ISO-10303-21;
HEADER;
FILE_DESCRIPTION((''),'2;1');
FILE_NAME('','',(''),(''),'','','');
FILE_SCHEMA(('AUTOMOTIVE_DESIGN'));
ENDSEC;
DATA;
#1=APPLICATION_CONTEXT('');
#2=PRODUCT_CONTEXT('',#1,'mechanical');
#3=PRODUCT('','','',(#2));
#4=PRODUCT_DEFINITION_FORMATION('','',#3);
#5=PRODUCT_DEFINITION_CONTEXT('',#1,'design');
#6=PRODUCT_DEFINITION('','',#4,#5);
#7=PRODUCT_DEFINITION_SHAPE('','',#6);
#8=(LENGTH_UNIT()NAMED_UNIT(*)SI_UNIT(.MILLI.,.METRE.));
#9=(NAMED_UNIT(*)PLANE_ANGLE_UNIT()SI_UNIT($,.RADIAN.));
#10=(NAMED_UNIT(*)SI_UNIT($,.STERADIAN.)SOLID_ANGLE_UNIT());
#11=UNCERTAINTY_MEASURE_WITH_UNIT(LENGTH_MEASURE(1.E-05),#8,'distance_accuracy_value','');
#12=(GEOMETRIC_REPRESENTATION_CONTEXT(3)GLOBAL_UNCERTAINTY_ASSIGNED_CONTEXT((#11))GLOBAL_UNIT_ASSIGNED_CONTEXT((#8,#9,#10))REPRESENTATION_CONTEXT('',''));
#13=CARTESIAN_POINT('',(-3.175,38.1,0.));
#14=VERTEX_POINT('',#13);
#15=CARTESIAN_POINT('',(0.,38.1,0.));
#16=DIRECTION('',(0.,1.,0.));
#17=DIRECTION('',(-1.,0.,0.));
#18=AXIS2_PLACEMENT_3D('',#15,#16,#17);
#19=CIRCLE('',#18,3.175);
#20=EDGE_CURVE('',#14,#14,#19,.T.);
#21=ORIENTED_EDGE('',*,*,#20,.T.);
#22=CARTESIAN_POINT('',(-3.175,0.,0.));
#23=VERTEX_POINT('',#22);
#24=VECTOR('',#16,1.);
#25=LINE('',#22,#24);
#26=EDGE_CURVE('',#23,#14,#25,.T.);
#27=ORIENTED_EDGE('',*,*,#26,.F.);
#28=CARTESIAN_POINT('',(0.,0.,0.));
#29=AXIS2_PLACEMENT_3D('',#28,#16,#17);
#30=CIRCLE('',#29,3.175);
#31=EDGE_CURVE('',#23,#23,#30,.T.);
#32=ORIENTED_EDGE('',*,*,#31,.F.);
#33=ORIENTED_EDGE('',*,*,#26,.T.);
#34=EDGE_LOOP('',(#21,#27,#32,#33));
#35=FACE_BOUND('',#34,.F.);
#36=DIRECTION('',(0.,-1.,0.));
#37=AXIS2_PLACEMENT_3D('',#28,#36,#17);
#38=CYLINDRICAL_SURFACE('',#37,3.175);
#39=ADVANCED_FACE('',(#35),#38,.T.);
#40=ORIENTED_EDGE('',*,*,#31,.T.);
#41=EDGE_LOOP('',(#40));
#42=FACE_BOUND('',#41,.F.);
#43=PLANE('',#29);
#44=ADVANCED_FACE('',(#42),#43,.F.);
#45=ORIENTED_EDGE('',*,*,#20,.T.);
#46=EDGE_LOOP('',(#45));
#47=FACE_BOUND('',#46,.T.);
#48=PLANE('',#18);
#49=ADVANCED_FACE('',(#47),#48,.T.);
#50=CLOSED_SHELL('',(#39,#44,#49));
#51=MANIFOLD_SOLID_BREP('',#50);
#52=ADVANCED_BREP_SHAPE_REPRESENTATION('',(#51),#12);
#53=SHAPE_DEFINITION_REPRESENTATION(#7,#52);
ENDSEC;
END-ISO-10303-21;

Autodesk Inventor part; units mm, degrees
ref_plane "YZ Plane" through (0, 0, 0) normal (1, 0, 0) x (0, 1, 0)
ref_plane "XZ Plane" through (0, 0, 0) normal (0, 1, 0) x (-1, 0, 0)
ref_plane "XY Plane" through (0, 0, 0) normal (0, 0, 1) x (1, 0, 0)
sketch "Sketch1" plane through (0, 0, 0) normal (0, 1, 0) x (-1, 0, 0)
  circle A0 centre (0, 0) radius 3.175
  dimension "d0" = 6.35
extrude "Extrusion1" add sketch "Sketch1" along normal blind 38.1
properties part number "0.25_in_shaft"
